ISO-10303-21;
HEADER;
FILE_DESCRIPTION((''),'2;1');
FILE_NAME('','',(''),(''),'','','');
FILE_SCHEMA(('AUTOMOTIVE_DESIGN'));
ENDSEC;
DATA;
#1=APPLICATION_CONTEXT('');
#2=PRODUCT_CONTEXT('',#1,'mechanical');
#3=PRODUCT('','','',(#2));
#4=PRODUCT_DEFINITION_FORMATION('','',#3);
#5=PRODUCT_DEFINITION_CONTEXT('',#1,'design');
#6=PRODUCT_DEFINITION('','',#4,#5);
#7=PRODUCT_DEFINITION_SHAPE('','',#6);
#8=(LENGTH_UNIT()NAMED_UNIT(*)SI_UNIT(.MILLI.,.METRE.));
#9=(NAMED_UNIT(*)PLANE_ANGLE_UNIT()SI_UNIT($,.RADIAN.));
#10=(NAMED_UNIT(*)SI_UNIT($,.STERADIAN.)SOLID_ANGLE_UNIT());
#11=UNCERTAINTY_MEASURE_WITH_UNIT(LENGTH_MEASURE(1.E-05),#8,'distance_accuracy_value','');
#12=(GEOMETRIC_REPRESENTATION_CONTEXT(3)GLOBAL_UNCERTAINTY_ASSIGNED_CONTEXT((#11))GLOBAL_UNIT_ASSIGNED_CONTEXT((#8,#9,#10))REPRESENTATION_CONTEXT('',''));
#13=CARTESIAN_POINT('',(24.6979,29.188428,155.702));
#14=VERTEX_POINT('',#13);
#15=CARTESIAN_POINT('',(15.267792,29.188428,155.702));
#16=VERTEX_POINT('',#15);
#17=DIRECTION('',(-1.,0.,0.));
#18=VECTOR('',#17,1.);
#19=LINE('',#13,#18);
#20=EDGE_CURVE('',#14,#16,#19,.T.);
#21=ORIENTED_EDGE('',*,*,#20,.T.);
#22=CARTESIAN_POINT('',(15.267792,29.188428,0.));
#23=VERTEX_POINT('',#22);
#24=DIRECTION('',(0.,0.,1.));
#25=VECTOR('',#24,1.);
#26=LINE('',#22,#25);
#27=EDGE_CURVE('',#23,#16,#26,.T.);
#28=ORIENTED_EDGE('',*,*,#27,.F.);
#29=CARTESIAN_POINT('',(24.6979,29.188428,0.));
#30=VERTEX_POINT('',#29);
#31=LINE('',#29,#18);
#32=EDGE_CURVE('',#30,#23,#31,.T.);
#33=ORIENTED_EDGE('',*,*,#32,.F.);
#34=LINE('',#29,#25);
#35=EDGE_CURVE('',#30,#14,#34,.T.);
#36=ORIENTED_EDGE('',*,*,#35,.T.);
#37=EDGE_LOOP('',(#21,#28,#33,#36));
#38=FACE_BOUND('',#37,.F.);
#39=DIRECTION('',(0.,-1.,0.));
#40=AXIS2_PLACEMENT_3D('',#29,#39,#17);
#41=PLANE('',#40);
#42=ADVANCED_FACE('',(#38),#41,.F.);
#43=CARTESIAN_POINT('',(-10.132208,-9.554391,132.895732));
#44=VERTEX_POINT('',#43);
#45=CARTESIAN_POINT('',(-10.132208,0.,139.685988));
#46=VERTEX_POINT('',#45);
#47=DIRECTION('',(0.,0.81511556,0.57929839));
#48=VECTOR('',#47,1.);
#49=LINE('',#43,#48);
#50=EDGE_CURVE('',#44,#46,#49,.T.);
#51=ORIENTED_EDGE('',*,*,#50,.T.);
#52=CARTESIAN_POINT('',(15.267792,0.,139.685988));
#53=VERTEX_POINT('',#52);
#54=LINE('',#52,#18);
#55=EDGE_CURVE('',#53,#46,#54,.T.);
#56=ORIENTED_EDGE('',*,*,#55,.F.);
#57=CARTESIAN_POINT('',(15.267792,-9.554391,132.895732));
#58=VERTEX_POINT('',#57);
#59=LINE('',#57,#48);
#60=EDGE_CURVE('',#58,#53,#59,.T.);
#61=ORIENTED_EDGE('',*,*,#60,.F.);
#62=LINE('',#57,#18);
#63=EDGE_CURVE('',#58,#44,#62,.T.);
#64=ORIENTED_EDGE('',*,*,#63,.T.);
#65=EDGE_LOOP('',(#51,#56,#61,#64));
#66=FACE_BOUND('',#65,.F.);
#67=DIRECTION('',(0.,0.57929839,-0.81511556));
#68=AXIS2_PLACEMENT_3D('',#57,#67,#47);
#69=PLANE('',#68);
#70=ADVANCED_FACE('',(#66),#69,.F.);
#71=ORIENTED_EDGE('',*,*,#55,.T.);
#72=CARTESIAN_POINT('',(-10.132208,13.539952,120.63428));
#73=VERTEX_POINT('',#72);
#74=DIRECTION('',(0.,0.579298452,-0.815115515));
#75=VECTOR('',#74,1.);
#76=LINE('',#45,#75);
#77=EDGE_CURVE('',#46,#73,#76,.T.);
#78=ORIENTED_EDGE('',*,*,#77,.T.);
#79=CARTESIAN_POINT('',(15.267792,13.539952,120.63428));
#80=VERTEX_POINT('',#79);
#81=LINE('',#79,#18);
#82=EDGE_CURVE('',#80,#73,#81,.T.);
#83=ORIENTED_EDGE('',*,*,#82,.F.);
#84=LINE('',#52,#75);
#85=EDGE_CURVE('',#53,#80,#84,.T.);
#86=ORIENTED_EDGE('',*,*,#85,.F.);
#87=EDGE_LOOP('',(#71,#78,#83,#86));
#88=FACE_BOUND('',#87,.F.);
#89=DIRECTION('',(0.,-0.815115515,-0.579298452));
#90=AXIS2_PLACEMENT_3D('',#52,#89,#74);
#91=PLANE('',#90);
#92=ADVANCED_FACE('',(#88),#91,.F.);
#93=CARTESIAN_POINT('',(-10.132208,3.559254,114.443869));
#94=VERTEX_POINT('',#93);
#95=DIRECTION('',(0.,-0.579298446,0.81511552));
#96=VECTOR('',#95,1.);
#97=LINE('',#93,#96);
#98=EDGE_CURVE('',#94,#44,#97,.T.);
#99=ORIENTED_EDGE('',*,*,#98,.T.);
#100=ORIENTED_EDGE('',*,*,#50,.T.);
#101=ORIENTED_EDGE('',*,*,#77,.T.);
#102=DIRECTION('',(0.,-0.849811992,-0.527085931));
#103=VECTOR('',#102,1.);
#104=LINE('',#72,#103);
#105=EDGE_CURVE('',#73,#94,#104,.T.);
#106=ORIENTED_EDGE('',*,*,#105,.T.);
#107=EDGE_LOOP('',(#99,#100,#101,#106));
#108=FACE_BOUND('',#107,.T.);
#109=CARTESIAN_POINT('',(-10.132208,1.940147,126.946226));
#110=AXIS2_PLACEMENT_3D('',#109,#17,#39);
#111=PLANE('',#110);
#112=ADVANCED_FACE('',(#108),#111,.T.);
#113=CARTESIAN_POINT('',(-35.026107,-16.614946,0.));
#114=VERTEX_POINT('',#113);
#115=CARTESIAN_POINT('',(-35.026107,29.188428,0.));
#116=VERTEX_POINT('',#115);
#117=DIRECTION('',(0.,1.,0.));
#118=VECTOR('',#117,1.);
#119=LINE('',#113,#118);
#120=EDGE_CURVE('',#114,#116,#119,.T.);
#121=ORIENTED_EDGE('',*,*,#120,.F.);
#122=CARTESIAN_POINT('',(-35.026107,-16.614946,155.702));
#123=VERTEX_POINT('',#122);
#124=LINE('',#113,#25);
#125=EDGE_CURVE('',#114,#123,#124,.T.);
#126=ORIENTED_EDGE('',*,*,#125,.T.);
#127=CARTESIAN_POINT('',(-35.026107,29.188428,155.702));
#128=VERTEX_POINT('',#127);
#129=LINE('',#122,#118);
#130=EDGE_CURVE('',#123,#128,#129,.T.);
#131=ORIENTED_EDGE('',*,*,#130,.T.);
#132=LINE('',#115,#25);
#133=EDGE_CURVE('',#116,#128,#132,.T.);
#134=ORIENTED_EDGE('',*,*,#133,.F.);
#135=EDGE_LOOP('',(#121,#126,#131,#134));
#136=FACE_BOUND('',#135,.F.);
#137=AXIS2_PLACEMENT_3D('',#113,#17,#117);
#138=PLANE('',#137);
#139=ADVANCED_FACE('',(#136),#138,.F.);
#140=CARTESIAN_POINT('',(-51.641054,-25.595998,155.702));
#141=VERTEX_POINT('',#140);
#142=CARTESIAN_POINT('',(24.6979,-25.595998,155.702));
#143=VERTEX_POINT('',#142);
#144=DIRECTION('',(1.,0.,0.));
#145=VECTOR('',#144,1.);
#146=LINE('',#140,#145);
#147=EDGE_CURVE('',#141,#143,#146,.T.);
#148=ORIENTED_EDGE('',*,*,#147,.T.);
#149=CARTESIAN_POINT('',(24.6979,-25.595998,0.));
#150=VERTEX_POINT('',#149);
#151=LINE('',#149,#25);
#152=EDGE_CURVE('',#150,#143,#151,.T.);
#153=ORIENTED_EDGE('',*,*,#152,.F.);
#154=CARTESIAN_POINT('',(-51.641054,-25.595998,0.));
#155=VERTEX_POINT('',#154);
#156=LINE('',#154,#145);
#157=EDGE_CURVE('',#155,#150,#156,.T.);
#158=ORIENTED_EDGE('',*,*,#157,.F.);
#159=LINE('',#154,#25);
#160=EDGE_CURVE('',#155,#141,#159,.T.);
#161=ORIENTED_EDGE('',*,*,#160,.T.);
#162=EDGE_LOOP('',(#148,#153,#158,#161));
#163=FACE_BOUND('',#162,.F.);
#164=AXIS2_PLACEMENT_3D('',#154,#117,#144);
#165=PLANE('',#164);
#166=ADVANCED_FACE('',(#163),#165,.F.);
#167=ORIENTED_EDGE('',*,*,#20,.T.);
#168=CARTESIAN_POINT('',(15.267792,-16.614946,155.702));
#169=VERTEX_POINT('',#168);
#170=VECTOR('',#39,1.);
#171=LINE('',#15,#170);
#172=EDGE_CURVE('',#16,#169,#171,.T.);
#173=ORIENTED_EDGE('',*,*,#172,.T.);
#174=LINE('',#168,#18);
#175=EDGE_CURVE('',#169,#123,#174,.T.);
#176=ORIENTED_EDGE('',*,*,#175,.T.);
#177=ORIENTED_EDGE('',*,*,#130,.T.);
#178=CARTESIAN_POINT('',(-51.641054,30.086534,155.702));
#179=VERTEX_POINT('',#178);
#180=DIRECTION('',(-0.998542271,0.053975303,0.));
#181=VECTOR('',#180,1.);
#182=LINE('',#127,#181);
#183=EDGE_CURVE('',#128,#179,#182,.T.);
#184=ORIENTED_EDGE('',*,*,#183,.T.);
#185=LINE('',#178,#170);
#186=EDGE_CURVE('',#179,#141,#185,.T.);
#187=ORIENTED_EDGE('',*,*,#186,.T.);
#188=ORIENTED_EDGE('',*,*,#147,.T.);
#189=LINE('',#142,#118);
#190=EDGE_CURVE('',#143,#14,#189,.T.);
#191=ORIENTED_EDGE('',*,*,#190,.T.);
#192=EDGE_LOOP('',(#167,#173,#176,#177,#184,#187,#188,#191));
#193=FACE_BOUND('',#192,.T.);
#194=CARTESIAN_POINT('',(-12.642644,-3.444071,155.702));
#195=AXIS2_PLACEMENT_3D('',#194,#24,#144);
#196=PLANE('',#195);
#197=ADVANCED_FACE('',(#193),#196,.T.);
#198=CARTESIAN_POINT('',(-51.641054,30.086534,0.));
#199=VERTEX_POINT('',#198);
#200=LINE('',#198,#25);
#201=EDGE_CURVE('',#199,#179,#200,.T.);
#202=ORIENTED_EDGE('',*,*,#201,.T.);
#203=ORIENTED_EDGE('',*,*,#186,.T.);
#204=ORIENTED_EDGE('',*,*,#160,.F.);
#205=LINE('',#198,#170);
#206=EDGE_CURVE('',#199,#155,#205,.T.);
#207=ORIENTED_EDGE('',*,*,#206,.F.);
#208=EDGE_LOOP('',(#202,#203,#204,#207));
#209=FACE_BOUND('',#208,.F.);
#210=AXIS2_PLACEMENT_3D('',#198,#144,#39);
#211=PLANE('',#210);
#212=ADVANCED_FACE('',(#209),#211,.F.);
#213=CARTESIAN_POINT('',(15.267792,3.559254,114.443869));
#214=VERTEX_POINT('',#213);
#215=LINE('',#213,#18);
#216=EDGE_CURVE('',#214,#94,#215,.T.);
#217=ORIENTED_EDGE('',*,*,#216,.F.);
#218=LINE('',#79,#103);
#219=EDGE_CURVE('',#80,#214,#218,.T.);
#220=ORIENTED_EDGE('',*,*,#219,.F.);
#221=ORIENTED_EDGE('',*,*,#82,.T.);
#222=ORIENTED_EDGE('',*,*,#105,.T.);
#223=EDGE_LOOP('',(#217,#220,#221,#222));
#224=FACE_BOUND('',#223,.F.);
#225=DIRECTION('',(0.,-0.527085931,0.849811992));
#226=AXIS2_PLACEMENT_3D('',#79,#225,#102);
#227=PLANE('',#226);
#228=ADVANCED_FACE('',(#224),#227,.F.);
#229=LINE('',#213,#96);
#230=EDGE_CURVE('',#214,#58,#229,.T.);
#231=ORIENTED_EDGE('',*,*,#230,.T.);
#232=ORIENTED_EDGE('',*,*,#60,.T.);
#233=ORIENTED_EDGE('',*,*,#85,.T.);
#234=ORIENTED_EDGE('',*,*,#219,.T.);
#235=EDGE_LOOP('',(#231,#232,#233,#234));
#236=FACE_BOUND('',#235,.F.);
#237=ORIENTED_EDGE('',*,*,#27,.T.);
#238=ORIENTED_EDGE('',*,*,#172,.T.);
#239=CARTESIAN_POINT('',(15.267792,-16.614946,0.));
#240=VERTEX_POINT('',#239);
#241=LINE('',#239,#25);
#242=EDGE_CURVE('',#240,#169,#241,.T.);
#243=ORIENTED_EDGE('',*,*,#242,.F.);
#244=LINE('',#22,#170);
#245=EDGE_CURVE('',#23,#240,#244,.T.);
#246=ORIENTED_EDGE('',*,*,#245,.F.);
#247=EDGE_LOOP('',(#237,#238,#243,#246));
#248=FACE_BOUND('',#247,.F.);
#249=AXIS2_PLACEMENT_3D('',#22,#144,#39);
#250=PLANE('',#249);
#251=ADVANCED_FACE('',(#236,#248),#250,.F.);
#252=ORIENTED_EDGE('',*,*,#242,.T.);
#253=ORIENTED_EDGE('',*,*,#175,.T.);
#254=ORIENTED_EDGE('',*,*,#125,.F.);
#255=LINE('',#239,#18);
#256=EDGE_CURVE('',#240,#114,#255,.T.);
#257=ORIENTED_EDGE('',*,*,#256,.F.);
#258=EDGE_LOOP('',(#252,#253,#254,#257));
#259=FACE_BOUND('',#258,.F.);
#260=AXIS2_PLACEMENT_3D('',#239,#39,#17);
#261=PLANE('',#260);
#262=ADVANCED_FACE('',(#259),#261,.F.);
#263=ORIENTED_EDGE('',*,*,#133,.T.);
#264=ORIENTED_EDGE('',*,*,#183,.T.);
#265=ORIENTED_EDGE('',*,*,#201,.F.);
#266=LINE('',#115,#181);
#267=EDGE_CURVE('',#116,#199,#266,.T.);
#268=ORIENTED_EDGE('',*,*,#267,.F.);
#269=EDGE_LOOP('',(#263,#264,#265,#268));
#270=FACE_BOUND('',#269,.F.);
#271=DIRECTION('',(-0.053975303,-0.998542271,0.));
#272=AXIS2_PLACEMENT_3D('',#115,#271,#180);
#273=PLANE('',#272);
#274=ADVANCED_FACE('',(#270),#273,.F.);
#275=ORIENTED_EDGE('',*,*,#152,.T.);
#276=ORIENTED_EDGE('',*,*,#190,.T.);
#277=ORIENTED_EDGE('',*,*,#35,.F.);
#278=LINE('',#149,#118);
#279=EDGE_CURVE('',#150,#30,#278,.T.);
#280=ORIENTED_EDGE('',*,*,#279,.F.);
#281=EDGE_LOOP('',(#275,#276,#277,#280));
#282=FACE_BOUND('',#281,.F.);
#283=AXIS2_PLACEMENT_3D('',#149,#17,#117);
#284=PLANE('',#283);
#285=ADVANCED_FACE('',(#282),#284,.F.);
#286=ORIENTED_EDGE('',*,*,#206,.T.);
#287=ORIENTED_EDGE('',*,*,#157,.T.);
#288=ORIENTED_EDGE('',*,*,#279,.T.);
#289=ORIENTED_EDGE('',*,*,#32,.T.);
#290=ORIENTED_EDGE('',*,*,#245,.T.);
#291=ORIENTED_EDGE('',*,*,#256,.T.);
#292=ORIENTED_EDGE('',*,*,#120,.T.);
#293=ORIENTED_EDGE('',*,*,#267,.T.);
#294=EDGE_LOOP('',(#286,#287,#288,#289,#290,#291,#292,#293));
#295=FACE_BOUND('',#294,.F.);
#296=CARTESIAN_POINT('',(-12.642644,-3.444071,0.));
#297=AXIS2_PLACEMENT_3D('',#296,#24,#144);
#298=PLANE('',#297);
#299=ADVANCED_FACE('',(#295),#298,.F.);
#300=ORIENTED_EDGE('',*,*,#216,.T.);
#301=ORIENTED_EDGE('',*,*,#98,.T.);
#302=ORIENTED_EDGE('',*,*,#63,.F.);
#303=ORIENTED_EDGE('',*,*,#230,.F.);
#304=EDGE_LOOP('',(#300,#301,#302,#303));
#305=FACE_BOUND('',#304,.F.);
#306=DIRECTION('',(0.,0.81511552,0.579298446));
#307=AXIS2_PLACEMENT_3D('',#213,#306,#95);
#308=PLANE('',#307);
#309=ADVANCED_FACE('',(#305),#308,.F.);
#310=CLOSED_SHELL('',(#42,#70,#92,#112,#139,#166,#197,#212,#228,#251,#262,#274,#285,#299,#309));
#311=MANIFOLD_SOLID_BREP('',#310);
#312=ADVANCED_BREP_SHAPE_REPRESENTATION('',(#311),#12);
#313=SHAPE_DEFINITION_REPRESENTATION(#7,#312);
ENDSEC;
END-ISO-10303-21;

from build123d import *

# Parameters (mm, degrees)
F1_DEPTH = 155.702
F3_DEPTH = 25.4


with BuildPart() as f1:
    # F0 (on Top) → F1 (new body)
    with BuildSketch(Plane.XY):
        Polygon((-35.026107, 29.188428), (-51.641054, 30.086534), (-51.641054, -25.595998), (24.6979, -25.595998), (24.6979, 29.188428), (15.267792, 29.188428), (15.267792, -16.614946), (-35.026107, -16.614946), align=None)
    extrude(amount=F1_DEPTH)

    # F2 (on face) → F3 (join)
    with BuildSketch(Plane(origin=(15.267792, 0, 0), x_dir=(0, -1, 0), z_dir=(-1, 0, 0))):
        Polygon((0, 139.685988), (-13.539952, 120.63428), (-3.559254, 114.443869), (9.554391, 132.895732), align=None)
    extrude(amount=F3_DEPTH)


solid = f1.part
